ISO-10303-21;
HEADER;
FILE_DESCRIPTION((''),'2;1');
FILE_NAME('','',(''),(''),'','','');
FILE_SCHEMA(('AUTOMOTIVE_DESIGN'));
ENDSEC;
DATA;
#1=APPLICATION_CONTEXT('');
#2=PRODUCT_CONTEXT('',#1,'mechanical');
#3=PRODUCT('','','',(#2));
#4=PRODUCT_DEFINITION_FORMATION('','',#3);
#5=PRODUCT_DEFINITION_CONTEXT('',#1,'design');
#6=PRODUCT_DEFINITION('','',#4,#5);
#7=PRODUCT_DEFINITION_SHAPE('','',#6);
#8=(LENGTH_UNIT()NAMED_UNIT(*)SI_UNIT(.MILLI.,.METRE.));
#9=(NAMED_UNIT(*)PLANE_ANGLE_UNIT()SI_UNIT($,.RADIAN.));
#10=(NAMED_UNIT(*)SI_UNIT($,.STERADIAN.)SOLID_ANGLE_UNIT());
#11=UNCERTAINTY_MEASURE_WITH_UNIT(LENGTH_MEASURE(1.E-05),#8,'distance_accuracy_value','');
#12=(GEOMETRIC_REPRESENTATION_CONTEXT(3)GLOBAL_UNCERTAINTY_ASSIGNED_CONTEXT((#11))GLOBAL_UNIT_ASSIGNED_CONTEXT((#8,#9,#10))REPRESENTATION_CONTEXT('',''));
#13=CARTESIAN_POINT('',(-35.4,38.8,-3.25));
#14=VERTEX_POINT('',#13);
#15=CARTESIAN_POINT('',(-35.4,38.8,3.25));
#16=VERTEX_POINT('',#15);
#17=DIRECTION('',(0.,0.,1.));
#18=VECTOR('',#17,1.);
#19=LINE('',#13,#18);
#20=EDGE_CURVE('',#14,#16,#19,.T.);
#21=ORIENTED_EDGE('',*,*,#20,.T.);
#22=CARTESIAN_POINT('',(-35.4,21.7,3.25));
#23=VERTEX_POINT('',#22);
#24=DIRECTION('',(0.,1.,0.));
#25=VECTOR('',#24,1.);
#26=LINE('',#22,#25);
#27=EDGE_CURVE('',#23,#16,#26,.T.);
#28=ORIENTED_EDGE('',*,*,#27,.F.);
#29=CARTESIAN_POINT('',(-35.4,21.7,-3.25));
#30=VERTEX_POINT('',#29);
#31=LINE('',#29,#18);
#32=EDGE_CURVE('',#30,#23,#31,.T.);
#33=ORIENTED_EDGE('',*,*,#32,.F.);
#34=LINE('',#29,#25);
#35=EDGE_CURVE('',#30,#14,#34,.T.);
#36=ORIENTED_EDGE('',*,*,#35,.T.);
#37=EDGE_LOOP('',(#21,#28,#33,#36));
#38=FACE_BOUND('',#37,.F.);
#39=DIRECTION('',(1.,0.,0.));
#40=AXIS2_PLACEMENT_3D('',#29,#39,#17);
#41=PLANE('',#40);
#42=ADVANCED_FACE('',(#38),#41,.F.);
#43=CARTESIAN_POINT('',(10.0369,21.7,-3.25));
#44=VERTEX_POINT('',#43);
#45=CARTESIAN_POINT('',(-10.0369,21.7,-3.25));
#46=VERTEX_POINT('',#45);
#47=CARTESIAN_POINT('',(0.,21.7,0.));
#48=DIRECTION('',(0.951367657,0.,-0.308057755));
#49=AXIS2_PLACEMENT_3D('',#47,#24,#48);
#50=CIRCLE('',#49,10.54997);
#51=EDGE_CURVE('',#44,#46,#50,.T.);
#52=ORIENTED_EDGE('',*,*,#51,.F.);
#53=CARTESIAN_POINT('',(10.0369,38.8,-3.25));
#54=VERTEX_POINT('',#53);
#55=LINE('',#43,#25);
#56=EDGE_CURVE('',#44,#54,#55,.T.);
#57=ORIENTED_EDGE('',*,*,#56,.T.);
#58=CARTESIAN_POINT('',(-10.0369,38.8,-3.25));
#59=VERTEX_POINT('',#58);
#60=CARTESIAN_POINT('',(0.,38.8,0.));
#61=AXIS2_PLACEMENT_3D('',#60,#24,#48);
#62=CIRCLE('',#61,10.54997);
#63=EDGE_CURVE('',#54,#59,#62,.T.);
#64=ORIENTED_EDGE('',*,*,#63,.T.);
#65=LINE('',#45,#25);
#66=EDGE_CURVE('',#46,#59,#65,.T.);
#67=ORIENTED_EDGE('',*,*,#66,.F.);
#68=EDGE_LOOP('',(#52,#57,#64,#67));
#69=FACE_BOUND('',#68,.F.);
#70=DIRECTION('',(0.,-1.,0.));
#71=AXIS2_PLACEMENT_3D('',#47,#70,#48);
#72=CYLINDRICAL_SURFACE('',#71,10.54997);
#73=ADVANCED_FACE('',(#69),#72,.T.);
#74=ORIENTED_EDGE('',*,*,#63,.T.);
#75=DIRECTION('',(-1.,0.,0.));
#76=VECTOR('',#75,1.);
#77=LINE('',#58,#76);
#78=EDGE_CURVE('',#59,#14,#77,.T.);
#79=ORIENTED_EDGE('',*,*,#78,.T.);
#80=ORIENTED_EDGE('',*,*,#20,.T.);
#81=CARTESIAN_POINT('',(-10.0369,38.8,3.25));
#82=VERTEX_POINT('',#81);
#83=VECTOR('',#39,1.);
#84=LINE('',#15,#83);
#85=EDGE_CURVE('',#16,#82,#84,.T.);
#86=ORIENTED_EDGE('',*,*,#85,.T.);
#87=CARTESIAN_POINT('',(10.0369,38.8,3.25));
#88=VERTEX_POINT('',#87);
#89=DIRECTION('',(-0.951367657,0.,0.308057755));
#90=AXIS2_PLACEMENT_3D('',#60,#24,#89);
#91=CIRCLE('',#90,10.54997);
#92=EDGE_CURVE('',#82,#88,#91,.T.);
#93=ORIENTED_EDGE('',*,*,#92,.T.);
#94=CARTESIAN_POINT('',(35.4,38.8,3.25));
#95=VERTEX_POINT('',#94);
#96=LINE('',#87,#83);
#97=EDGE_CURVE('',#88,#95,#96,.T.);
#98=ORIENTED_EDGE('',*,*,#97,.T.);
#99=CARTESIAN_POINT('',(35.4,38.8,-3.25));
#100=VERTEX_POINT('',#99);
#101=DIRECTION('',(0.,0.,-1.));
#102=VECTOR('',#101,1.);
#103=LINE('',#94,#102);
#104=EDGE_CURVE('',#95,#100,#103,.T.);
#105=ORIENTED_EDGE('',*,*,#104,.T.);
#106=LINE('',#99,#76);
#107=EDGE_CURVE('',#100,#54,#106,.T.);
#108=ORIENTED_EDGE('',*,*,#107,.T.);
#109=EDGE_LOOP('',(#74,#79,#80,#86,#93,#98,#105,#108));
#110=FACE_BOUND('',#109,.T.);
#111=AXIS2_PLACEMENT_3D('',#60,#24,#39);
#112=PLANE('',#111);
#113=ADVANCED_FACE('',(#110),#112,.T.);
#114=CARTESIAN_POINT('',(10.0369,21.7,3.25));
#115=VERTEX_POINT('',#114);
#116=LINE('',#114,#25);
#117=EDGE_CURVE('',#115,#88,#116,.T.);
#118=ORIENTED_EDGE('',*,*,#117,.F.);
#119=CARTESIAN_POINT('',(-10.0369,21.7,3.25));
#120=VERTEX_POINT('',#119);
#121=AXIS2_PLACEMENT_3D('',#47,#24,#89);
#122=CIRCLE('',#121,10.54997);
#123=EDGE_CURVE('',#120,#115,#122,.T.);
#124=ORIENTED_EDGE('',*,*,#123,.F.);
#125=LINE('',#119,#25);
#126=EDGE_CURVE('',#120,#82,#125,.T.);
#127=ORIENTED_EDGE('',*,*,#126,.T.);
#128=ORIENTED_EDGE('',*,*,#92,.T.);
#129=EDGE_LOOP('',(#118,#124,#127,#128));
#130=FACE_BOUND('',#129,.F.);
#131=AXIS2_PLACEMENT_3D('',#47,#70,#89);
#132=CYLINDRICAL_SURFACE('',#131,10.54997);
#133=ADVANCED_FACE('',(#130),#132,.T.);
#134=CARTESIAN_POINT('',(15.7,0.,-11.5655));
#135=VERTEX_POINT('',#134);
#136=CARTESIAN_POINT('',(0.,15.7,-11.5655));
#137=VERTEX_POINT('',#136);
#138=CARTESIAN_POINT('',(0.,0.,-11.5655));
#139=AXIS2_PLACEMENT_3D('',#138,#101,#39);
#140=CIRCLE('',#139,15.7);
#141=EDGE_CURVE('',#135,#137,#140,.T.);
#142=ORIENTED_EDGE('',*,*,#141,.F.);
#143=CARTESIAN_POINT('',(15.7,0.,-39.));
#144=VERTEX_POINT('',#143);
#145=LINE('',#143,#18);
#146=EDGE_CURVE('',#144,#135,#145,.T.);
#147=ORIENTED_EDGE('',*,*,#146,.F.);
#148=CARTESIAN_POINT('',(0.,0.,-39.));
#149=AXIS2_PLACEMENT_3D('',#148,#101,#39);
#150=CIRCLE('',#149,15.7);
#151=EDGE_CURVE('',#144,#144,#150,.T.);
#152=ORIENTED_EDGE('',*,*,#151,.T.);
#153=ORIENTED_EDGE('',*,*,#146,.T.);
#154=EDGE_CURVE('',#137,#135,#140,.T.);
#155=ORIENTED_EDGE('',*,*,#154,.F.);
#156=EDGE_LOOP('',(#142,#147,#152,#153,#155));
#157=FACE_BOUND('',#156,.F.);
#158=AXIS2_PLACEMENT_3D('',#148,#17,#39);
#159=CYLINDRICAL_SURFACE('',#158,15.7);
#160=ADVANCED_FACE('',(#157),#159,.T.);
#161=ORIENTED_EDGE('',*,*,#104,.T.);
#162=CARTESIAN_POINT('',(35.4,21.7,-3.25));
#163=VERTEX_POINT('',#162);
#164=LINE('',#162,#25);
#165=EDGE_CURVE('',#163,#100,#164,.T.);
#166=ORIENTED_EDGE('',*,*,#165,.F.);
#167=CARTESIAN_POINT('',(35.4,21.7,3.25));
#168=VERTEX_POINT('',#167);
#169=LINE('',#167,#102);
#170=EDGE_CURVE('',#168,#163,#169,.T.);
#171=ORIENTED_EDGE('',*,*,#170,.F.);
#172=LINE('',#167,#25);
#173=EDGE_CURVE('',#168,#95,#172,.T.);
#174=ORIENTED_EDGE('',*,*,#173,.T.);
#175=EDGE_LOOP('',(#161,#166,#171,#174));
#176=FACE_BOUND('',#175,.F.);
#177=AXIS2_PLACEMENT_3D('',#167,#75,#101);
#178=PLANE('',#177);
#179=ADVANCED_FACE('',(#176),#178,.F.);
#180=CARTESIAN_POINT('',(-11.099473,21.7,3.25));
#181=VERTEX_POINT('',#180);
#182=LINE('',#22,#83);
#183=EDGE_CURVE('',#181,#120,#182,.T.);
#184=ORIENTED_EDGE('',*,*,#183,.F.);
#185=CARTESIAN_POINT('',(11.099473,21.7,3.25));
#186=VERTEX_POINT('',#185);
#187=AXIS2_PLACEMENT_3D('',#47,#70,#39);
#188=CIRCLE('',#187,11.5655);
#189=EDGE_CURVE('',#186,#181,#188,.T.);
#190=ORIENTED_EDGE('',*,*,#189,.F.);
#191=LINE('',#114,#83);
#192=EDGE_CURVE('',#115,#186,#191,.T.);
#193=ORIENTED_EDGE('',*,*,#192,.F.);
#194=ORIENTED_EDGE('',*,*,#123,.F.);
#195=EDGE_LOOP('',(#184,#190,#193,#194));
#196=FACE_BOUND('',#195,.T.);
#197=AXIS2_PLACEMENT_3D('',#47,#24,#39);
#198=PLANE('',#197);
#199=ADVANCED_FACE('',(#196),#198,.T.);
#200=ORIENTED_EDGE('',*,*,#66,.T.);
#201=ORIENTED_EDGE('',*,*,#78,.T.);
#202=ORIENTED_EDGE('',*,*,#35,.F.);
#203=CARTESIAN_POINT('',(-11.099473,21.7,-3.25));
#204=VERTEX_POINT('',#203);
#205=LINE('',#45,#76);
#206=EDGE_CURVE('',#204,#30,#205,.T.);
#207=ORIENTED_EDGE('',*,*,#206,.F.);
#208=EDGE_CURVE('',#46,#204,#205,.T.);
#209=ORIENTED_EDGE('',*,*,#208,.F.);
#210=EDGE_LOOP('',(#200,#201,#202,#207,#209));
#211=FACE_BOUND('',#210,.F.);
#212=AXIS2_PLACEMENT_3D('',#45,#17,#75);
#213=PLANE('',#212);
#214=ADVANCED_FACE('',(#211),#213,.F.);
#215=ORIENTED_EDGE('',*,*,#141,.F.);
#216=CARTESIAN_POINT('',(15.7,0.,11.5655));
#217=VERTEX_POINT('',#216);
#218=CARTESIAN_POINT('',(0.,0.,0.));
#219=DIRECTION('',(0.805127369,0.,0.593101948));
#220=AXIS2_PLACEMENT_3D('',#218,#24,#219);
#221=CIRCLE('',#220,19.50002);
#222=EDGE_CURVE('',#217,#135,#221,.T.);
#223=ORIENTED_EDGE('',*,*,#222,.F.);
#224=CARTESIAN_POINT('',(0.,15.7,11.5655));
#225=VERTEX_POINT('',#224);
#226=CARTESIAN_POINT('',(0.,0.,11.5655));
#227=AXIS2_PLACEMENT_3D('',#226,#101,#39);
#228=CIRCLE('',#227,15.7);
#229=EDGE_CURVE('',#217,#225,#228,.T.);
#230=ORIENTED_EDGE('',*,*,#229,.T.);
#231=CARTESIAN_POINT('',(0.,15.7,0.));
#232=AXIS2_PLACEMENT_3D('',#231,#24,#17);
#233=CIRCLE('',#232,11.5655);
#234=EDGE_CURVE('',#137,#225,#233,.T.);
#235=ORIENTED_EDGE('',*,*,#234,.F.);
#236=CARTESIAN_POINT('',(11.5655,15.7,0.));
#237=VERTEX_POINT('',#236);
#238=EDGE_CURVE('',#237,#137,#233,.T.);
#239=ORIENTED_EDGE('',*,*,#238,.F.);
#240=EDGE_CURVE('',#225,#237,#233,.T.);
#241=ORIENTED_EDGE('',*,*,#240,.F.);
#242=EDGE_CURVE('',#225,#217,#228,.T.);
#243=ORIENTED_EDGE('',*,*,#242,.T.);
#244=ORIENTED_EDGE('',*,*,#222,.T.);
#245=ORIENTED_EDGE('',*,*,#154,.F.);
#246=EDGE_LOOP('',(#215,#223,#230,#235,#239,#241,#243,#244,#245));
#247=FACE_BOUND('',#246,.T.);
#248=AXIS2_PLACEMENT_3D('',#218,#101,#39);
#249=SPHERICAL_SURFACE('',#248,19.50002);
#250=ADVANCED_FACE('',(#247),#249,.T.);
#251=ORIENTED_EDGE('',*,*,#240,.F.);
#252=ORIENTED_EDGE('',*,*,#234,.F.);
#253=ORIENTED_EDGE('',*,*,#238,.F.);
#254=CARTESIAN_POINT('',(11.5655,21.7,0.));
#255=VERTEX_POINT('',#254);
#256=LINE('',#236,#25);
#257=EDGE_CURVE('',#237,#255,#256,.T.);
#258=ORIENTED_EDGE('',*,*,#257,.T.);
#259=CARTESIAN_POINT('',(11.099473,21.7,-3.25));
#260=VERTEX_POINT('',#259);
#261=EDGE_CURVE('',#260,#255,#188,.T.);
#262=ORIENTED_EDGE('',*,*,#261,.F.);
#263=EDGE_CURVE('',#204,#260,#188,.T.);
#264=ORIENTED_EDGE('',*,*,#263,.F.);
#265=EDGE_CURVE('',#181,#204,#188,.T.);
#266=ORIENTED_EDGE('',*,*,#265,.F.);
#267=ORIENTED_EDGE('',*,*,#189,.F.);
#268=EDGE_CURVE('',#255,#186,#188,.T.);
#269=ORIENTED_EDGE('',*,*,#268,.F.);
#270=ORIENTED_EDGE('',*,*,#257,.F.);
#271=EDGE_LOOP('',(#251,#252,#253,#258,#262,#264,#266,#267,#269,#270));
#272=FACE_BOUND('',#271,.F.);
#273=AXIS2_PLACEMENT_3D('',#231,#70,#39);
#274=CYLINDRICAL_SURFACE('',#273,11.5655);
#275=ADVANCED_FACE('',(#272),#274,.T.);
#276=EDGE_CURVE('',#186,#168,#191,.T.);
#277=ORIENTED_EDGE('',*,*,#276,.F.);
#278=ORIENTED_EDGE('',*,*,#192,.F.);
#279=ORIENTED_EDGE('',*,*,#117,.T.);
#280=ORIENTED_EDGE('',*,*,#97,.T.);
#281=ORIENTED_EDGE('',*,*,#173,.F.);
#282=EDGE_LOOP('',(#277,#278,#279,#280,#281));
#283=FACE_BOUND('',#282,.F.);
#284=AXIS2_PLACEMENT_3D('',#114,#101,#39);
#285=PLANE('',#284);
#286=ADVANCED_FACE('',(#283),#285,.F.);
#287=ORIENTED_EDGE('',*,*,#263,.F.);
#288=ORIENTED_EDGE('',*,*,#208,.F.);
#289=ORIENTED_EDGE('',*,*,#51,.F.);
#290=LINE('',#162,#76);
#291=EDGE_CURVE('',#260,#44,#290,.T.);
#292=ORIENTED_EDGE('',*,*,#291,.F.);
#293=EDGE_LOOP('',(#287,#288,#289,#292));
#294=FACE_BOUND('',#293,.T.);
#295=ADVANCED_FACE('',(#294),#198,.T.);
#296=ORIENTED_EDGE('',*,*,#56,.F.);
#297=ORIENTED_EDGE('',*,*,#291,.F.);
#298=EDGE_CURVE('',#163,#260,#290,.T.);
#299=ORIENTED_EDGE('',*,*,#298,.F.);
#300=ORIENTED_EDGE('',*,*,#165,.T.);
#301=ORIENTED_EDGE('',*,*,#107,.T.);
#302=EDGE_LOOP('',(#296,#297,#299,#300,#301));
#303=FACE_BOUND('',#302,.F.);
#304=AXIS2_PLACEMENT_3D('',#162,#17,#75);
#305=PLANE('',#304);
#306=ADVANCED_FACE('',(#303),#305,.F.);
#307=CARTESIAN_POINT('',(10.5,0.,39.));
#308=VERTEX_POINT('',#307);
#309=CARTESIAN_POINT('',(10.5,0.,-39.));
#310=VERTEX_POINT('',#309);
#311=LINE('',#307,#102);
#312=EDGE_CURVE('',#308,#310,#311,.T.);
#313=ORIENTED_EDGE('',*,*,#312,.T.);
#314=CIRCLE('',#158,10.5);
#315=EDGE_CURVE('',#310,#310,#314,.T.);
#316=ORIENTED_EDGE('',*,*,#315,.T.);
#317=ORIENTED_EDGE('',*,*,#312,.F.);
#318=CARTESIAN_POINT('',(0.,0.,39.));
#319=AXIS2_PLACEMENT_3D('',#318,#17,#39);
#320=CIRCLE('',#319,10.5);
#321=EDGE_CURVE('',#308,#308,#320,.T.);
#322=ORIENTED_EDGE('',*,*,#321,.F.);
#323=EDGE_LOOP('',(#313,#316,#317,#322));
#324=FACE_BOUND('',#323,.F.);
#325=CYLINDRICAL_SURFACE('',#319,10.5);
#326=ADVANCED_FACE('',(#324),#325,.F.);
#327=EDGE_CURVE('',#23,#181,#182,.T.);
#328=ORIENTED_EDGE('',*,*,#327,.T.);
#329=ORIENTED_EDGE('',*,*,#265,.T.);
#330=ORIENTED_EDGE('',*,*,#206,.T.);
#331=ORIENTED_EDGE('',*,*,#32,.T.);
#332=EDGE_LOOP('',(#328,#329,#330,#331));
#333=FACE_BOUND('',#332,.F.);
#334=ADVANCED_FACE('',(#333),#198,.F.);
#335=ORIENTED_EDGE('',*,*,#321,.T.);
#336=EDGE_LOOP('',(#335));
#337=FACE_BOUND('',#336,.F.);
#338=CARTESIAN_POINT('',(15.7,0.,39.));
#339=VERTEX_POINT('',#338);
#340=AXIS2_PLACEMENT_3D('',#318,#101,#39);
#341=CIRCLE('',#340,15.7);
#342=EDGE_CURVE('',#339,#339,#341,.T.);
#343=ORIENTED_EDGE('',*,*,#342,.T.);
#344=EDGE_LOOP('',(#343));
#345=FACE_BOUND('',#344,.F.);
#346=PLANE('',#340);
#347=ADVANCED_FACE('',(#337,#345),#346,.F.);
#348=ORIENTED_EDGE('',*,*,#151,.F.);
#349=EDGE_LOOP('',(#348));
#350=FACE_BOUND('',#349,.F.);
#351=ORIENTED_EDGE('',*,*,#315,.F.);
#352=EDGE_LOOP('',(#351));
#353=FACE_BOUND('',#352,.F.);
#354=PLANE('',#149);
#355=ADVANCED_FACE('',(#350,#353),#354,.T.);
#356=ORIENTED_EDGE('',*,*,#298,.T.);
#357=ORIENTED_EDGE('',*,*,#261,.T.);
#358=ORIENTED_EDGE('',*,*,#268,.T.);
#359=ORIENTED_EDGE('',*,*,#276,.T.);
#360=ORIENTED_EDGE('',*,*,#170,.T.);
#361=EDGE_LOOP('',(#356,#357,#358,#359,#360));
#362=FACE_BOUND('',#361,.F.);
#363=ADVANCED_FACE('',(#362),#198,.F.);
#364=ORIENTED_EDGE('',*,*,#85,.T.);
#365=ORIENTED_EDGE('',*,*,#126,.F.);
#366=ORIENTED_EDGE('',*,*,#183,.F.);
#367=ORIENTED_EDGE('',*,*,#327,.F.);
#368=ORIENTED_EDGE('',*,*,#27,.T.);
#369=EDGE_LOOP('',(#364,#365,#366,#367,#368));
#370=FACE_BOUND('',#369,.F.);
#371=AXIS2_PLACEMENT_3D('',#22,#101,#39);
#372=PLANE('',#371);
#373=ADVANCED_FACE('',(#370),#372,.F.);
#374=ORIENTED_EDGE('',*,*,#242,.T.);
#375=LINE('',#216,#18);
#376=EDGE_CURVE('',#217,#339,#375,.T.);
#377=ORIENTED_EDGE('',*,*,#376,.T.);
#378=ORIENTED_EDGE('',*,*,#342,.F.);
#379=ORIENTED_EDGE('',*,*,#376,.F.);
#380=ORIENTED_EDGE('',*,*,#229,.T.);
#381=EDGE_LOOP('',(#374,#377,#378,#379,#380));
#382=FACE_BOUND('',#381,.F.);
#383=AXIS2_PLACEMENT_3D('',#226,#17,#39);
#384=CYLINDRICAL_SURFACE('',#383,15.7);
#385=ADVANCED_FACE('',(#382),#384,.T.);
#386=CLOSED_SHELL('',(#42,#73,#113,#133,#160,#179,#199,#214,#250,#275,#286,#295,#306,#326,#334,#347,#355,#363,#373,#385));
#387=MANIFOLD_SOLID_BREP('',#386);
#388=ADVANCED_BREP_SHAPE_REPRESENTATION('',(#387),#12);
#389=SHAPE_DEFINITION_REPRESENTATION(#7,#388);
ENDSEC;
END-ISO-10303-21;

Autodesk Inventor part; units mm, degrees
ref_plane "YZ Plane" through (0, 0, 0) normal (1, 0, 0) x (0, 1, 0)
ref_plane "XY Plane" through (0, 0, 0) normal (0, 0, 1) x (1, 0, 0)
sketch "Sketch1" plane through (0, 0, 0) normal (0, 1, 0) x (-1, 0, 0)
  line L0 (0, 0) -> (0, -39)
  line L1 (0, -39) -> (-15.7, -39)
  line L2 (-15.7, 39) -> (0, 39)
  line L3 (0, 39) -> (0, 0)
  arc A0 (-15.7, 11.5655) -> (-15.7, -11.5655) centre (0, 0) ccw
  line L4 (-15.7, -39) -> (-15.7, -11.5655)
  line L5 (-15.7, 11.5655) -> (-15.7, 39)
  dimension "d0" = 39
  dimension "d1" = 15.7
  dimension "d2" = 78
  dimension "d3" = 39
revolve "Revolution1" add sketch "Sketch1" angle 360 about axis through (0, 0, 0) along (0, 0, -1)
ref_plane "Work Plane1" through (0, 15.7, 25.2827) normal (0, 1, 0) x (-1, 0, 0)
split "Split1" plane through (0, 15.7, 25.2827) removes the side toward (0, 1, 0)
sketch "Sketch2" plane through (0, 15.7, 0) normal (0, 1, 0) x (1, 0, 0)
  circle A0 centre (0, 0) radius 11.5655
  line L0 (15.7, 11.5655) -> (-15.7, 11.5655) projected
  point P0 (0, 11.5655)
extrude "Extrusion1" add sketch "Sketch2" along normal blind 6
sketch "Sketch3" plane through (0, 0, 39) normal (0, 0, 1) x (1, 0, 0)
  circle A0 centre (0, 0) radius 10.5
  dimension "d7" = 21
extrude "Extrusion2" cut sketch "Sketch3" against normal blind 78
thread "Thread1" size "M22x3" class "6H" standard "ANSI Metric M Profile" full length
sketch "Sketch4" plane through (0, 21.7, 0) normal (0, 1, 0) x (1, 0, 0)
  line L0 (35.4, -3.25) -> (35.4, 3.25)
  line L1 (-35.4, 3.25) -> (-35.4, -3.25)
  line L2 (35.4, 3.25) -> (10.0369, 3.25)
  line L3 (-10.0369, 3.25) -> (-35.4, 3.25)
  line L4 (-35.4, -3.25) -> (-10.0369, -3.25)
  line L5 (10.0369, -3.25) -> (35.4, -3.25)
  arc A0 (-10.0369, -3.25) -> (10.0369, -3.25) centre (0, 0) ccw
  arc A1 (10.0369, 3.25) -> (-10.0369, 3.25) centre (0, 0) ccw
  dimension "d12" = 70.8
  dimension "d13" = 6.5
extrude "Extrusion3" add sketch "Sketch4" along normal blind 17.1
properties part number "LlaveDesecho"
